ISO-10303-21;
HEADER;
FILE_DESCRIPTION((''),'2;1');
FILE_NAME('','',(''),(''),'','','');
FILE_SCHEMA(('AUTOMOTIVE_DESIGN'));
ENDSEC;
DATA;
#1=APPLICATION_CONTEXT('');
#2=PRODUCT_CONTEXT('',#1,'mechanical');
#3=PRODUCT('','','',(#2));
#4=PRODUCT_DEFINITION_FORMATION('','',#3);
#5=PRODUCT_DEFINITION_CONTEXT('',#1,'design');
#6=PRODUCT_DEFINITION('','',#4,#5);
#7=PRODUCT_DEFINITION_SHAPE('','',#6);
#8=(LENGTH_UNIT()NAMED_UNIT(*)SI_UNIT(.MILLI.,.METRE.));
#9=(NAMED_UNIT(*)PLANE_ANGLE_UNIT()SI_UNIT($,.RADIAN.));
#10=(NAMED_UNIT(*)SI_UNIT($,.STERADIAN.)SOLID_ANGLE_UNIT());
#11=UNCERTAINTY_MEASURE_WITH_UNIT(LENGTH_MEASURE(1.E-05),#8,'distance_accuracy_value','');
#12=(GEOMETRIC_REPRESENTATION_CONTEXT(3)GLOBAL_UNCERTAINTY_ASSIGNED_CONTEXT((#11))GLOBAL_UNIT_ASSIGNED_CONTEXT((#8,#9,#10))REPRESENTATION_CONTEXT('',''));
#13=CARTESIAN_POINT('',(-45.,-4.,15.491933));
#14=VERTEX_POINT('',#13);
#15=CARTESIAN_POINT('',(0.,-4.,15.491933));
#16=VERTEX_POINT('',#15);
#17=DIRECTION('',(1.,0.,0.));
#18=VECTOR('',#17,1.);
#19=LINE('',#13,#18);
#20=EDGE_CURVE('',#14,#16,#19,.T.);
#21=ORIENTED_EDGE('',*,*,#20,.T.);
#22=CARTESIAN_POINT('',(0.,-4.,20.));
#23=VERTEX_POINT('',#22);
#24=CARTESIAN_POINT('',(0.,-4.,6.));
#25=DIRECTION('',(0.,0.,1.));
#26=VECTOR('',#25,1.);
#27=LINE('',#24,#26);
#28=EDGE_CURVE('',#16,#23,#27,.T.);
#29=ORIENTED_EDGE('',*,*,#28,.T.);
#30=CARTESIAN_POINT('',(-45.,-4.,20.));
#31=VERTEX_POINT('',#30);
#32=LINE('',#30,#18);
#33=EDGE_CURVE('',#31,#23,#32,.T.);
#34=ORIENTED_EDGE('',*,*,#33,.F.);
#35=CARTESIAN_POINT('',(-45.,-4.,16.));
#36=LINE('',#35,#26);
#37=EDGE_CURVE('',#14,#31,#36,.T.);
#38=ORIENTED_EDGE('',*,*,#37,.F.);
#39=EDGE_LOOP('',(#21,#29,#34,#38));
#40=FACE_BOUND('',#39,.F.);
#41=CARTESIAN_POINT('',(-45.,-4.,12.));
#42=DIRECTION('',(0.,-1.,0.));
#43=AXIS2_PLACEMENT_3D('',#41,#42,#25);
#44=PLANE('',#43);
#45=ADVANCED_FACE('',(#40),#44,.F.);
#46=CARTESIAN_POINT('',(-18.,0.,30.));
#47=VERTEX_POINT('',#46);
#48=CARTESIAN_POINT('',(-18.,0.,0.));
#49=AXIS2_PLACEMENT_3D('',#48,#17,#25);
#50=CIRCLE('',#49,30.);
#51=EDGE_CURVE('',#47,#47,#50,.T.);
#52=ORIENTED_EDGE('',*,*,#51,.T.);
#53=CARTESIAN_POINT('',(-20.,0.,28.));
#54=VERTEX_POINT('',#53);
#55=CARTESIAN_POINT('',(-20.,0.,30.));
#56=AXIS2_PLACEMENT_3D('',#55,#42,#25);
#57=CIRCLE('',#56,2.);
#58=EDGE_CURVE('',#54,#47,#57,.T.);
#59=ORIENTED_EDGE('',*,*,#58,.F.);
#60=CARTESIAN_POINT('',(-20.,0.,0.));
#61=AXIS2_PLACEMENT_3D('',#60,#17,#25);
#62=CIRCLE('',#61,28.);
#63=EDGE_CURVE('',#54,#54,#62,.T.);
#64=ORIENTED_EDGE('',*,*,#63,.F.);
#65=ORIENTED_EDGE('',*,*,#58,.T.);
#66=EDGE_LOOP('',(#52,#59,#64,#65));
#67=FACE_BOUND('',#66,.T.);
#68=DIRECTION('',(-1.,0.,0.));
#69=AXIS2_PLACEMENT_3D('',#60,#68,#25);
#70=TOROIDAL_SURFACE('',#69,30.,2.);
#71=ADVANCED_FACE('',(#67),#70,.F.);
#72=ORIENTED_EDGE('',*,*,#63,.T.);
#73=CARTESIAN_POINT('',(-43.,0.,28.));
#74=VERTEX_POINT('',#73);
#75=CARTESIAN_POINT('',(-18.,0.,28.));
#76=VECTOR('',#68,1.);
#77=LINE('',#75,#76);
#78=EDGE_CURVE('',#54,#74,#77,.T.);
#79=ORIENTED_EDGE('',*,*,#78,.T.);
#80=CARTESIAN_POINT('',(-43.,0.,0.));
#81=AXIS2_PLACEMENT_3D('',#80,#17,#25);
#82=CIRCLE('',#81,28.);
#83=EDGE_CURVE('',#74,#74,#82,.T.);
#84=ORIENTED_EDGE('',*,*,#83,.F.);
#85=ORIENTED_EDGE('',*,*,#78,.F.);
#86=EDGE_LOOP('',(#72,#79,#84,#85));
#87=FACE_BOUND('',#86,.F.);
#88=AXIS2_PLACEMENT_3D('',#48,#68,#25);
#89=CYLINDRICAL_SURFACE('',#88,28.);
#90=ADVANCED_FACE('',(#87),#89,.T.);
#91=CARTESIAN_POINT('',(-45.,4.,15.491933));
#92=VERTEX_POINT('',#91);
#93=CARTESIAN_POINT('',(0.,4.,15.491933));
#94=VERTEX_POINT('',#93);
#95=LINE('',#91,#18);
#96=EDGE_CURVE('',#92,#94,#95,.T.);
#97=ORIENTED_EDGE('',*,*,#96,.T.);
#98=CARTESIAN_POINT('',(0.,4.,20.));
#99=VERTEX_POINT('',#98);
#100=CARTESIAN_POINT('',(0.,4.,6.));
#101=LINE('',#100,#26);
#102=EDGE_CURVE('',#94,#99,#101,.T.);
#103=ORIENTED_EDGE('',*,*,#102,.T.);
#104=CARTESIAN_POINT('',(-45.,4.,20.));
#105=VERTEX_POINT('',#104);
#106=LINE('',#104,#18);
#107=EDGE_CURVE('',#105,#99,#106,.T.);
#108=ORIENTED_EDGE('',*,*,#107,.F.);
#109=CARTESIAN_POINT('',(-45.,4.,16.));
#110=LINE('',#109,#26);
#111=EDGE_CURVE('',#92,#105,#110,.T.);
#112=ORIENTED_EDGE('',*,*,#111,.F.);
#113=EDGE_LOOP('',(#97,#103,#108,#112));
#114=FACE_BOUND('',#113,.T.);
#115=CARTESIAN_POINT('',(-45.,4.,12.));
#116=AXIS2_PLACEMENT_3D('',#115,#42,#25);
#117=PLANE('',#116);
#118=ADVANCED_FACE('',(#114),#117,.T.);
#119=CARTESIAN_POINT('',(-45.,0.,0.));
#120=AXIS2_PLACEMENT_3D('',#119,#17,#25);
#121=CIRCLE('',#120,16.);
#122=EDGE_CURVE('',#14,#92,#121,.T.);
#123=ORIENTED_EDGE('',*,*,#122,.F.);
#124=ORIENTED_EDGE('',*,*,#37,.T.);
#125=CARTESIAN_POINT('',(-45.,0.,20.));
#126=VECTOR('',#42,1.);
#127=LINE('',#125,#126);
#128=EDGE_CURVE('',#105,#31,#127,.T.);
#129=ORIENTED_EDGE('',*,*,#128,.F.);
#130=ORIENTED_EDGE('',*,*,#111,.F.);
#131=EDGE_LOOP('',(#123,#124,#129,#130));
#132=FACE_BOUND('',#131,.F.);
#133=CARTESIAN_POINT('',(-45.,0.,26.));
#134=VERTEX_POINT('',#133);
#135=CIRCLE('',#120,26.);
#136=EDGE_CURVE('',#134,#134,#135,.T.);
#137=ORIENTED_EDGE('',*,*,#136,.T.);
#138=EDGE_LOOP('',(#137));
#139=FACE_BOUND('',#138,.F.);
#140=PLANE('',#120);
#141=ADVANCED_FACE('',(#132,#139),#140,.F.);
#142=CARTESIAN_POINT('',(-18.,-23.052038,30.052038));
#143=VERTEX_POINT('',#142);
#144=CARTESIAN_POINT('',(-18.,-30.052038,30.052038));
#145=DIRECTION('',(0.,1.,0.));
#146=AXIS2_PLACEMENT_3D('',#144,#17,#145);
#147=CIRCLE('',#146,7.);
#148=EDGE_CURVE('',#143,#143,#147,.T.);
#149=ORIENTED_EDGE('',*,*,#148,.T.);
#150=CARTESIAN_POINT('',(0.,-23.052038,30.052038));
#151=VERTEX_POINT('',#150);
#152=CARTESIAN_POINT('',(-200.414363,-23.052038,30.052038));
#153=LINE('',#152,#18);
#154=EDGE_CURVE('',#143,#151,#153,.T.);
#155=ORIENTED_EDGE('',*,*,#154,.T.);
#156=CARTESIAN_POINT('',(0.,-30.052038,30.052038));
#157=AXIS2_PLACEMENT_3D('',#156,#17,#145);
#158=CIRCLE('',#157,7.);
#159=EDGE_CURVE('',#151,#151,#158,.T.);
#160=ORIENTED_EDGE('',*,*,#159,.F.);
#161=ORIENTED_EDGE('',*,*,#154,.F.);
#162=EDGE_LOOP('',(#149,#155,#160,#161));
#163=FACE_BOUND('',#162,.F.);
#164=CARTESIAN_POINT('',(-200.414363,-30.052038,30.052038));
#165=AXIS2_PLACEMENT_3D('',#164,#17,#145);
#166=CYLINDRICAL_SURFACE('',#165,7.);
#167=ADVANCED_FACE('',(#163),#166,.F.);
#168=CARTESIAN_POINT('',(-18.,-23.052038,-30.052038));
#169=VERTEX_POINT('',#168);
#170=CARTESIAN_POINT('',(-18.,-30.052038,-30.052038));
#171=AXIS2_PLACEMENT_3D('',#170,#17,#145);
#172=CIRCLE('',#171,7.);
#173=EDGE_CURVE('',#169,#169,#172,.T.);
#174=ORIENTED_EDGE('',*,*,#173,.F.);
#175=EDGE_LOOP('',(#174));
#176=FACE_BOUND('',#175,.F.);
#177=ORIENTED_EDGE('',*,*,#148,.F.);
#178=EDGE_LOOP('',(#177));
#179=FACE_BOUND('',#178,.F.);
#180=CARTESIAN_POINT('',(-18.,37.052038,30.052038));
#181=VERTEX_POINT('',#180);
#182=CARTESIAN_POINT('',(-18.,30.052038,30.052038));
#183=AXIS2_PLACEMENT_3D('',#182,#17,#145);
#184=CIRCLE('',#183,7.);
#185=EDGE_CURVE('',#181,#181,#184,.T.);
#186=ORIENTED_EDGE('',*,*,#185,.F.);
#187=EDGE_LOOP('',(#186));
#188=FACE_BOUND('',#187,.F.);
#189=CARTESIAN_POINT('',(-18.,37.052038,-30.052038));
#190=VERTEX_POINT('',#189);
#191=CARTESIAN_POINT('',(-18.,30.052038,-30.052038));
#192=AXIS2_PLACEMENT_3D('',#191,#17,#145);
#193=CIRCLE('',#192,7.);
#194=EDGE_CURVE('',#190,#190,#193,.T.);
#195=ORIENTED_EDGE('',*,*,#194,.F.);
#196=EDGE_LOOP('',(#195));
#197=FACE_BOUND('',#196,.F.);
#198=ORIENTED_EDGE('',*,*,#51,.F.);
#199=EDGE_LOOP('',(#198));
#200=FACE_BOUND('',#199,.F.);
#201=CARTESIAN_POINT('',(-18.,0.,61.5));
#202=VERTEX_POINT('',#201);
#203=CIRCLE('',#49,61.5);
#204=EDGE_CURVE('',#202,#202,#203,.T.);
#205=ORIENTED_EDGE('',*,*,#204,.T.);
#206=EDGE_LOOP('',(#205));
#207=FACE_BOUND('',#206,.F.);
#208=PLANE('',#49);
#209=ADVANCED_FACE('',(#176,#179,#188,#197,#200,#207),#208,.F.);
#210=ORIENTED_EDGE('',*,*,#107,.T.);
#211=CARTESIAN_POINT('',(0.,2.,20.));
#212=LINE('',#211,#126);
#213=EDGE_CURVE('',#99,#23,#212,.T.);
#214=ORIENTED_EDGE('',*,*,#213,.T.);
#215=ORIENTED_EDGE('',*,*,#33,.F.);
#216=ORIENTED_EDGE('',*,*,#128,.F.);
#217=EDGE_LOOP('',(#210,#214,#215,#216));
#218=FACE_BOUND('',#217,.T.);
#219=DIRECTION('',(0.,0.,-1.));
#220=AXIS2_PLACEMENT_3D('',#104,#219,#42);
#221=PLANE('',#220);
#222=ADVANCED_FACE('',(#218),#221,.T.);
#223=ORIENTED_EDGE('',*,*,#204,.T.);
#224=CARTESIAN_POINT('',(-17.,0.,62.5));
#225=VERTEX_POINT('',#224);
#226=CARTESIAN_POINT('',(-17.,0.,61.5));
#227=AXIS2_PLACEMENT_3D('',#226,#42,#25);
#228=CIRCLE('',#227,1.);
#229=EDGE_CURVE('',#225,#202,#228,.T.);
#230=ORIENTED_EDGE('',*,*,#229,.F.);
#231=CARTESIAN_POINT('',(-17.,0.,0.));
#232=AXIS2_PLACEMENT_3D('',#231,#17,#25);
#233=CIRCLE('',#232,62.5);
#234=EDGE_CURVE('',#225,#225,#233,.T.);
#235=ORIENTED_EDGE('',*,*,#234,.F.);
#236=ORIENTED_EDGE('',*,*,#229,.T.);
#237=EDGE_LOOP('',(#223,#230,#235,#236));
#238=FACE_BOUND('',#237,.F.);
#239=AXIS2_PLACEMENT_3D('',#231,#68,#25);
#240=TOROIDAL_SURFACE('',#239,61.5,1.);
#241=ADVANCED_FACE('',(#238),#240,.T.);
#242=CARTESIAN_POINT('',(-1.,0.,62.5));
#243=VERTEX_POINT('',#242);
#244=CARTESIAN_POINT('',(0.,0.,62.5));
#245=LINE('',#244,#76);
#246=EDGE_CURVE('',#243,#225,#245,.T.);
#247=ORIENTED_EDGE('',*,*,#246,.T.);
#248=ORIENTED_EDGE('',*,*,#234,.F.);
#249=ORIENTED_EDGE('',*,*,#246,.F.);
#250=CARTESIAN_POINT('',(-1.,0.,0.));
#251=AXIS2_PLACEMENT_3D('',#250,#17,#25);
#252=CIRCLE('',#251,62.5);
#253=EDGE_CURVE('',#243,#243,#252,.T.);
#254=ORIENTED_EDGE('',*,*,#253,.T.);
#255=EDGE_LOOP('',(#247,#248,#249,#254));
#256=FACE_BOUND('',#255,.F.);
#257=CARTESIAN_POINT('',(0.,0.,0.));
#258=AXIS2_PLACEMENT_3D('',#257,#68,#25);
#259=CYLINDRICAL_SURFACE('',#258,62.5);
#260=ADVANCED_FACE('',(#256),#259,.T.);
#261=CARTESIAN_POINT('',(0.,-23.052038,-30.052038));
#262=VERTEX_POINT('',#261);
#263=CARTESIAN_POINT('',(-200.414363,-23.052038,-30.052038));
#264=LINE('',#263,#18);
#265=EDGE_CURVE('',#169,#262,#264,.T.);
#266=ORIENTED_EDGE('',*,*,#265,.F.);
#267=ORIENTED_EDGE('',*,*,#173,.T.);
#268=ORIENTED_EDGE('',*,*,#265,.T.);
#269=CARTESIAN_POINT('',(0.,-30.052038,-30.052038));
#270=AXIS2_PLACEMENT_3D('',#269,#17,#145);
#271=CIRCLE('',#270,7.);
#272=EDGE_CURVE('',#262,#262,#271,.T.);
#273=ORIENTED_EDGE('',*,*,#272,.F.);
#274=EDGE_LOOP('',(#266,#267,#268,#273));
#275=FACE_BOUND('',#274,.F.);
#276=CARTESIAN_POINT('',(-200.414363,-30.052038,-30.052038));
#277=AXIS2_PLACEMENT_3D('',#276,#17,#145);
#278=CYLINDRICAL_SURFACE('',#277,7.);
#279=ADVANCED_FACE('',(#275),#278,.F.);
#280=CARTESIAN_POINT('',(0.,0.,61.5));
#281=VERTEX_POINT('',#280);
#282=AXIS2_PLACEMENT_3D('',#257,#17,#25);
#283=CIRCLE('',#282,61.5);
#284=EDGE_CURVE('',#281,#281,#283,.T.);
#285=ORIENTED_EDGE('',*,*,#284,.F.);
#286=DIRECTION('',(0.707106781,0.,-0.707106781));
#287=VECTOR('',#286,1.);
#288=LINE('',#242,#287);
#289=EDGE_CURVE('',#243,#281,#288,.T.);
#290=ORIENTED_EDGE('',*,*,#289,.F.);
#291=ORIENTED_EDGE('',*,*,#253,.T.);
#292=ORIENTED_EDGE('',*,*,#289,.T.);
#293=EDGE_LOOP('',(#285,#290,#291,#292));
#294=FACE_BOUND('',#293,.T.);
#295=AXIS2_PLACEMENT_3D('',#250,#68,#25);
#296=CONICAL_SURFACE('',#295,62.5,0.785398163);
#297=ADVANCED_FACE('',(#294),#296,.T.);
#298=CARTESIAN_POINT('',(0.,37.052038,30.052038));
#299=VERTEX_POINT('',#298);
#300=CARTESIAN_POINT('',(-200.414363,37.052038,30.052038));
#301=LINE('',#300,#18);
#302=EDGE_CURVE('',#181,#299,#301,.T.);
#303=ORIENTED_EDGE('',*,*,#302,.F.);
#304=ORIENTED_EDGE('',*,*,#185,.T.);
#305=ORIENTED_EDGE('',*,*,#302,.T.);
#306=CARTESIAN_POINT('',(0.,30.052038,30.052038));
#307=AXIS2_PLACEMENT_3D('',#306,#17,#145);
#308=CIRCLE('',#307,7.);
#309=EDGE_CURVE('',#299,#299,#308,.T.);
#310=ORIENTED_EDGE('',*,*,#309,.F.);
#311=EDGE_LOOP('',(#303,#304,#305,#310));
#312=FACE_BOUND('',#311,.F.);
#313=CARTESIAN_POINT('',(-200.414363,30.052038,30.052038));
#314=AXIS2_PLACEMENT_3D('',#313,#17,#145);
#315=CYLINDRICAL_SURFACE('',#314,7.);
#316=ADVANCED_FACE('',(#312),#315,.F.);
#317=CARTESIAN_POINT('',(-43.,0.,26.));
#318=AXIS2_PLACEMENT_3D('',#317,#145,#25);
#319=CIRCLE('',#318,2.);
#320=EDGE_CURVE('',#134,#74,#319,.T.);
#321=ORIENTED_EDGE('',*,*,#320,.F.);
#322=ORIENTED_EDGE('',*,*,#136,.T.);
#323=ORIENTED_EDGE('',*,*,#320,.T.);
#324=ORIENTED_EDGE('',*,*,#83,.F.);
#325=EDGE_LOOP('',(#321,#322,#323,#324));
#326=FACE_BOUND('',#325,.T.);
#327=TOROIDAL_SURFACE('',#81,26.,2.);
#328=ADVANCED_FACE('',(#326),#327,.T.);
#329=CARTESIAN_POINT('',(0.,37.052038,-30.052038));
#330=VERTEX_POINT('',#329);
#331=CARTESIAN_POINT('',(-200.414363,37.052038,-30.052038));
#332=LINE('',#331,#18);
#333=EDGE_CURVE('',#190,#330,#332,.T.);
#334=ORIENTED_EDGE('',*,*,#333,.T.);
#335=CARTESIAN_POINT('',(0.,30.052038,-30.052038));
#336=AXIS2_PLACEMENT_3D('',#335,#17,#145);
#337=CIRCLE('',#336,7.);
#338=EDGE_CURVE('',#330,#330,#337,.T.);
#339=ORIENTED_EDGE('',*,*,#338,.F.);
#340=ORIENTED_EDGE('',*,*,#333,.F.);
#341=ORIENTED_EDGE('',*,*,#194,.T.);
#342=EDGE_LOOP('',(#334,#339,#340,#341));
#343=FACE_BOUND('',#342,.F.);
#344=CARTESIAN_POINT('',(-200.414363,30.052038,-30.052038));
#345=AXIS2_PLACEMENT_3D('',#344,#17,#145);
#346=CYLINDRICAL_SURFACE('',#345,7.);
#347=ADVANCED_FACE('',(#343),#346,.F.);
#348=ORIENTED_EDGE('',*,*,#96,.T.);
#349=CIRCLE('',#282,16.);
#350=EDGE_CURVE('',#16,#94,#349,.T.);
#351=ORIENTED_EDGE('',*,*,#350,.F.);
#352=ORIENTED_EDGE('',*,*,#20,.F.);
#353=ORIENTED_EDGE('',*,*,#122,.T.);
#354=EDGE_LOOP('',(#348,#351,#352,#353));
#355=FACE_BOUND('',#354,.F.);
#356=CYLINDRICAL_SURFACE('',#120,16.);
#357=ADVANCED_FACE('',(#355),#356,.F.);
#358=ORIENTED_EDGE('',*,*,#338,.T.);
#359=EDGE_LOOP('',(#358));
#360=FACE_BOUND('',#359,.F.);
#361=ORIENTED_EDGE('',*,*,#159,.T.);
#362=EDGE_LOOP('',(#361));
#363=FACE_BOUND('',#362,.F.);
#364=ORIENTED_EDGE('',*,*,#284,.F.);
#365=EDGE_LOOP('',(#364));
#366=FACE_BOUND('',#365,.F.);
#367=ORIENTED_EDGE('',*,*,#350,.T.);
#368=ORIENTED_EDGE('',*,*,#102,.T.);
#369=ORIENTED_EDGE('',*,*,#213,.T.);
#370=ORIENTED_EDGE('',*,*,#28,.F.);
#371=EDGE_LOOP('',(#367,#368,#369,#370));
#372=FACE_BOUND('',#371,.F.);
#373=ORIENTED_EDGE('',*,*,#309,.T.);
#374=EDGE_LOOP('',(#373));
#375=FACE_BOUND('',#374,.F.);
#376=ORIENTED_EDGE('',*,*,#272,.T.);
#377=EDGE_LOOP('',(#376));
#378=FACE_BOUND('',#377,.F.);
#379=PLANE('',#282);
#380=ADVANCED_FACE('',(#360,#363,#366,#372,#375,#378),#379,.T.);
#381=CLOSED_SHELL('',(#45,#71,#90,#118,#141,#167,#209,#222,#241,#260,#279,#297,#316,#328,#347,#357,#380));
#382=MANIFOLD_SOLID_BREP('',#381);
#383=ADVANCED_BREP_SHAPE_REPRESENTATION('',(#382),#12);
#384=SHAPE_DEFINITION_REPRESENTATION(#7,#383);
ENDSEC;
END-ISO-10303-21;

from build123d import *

# Parameters (mm, degrees)
F2_W     = 8
F2_H     = 8
F3_DEPTH = 45.001
F5_D     = 14
F6_R     = 2
F7_R     = 1
F8_SIZE  = 1


with BuildPart() as f1:
    # F0 (on Front) → F1 (revolve)
    with BuildSketch(Plane.XZ):
        Polygon((-45, 16), (0, 16), (0, 62.5), (-18, 62.5), (-18, 28), (-45, 28), align=None)
    revolve(axis=Axis((-18.421089, 0, 0), (1, 0, 0)))

    # F2 (on face) → F3 (cut, through all)
    with BuildSketch(Plane(origin=(-45, 0, 0), x_dir=(0, -1, 0), z_dir=(-1, 0, 0))):
        with Locations((0, 16)):
            Rectangle(F2_W, F2_H)
    extrude(amount=-F3_DEPTH, mode=Mode.SUBTRACT)

    # F5 (through all)
    with Locations(Plane(origin=(-18, 0, 0), x_dir=(0, -1, 0), z_dir=(-1, 0, 0))):
        with Locations((-30.052038, 30.052038), (-30.052038, -30.052038), (30.052038, -30.052038), (30.052038, 30.052038)):
            Hole(F5_D / 2)

    # F6
    f6_edges = [f1.edges().sort_by_distance(p)[0] for p in [
        (-45, 0, -28),
        (-18, 0, -28),
    ]]
    fillet(f6_edges, radius=F6_R)

    # F7
    f7_edges = [f1.edges().sort_by_distance(p)[0] for p in [
        (-18, 0, -62.5),
    ]]
    fillet(f7_edges, radius=F7_R)

    # F8
    f8_edges = [f1.edges().sort_by_distance(p)[0] for p in [
        (0, 0, -62.5),
    ]]
    chamfer(f8_edges, length=F8_SIZE)


solid = f1.part
